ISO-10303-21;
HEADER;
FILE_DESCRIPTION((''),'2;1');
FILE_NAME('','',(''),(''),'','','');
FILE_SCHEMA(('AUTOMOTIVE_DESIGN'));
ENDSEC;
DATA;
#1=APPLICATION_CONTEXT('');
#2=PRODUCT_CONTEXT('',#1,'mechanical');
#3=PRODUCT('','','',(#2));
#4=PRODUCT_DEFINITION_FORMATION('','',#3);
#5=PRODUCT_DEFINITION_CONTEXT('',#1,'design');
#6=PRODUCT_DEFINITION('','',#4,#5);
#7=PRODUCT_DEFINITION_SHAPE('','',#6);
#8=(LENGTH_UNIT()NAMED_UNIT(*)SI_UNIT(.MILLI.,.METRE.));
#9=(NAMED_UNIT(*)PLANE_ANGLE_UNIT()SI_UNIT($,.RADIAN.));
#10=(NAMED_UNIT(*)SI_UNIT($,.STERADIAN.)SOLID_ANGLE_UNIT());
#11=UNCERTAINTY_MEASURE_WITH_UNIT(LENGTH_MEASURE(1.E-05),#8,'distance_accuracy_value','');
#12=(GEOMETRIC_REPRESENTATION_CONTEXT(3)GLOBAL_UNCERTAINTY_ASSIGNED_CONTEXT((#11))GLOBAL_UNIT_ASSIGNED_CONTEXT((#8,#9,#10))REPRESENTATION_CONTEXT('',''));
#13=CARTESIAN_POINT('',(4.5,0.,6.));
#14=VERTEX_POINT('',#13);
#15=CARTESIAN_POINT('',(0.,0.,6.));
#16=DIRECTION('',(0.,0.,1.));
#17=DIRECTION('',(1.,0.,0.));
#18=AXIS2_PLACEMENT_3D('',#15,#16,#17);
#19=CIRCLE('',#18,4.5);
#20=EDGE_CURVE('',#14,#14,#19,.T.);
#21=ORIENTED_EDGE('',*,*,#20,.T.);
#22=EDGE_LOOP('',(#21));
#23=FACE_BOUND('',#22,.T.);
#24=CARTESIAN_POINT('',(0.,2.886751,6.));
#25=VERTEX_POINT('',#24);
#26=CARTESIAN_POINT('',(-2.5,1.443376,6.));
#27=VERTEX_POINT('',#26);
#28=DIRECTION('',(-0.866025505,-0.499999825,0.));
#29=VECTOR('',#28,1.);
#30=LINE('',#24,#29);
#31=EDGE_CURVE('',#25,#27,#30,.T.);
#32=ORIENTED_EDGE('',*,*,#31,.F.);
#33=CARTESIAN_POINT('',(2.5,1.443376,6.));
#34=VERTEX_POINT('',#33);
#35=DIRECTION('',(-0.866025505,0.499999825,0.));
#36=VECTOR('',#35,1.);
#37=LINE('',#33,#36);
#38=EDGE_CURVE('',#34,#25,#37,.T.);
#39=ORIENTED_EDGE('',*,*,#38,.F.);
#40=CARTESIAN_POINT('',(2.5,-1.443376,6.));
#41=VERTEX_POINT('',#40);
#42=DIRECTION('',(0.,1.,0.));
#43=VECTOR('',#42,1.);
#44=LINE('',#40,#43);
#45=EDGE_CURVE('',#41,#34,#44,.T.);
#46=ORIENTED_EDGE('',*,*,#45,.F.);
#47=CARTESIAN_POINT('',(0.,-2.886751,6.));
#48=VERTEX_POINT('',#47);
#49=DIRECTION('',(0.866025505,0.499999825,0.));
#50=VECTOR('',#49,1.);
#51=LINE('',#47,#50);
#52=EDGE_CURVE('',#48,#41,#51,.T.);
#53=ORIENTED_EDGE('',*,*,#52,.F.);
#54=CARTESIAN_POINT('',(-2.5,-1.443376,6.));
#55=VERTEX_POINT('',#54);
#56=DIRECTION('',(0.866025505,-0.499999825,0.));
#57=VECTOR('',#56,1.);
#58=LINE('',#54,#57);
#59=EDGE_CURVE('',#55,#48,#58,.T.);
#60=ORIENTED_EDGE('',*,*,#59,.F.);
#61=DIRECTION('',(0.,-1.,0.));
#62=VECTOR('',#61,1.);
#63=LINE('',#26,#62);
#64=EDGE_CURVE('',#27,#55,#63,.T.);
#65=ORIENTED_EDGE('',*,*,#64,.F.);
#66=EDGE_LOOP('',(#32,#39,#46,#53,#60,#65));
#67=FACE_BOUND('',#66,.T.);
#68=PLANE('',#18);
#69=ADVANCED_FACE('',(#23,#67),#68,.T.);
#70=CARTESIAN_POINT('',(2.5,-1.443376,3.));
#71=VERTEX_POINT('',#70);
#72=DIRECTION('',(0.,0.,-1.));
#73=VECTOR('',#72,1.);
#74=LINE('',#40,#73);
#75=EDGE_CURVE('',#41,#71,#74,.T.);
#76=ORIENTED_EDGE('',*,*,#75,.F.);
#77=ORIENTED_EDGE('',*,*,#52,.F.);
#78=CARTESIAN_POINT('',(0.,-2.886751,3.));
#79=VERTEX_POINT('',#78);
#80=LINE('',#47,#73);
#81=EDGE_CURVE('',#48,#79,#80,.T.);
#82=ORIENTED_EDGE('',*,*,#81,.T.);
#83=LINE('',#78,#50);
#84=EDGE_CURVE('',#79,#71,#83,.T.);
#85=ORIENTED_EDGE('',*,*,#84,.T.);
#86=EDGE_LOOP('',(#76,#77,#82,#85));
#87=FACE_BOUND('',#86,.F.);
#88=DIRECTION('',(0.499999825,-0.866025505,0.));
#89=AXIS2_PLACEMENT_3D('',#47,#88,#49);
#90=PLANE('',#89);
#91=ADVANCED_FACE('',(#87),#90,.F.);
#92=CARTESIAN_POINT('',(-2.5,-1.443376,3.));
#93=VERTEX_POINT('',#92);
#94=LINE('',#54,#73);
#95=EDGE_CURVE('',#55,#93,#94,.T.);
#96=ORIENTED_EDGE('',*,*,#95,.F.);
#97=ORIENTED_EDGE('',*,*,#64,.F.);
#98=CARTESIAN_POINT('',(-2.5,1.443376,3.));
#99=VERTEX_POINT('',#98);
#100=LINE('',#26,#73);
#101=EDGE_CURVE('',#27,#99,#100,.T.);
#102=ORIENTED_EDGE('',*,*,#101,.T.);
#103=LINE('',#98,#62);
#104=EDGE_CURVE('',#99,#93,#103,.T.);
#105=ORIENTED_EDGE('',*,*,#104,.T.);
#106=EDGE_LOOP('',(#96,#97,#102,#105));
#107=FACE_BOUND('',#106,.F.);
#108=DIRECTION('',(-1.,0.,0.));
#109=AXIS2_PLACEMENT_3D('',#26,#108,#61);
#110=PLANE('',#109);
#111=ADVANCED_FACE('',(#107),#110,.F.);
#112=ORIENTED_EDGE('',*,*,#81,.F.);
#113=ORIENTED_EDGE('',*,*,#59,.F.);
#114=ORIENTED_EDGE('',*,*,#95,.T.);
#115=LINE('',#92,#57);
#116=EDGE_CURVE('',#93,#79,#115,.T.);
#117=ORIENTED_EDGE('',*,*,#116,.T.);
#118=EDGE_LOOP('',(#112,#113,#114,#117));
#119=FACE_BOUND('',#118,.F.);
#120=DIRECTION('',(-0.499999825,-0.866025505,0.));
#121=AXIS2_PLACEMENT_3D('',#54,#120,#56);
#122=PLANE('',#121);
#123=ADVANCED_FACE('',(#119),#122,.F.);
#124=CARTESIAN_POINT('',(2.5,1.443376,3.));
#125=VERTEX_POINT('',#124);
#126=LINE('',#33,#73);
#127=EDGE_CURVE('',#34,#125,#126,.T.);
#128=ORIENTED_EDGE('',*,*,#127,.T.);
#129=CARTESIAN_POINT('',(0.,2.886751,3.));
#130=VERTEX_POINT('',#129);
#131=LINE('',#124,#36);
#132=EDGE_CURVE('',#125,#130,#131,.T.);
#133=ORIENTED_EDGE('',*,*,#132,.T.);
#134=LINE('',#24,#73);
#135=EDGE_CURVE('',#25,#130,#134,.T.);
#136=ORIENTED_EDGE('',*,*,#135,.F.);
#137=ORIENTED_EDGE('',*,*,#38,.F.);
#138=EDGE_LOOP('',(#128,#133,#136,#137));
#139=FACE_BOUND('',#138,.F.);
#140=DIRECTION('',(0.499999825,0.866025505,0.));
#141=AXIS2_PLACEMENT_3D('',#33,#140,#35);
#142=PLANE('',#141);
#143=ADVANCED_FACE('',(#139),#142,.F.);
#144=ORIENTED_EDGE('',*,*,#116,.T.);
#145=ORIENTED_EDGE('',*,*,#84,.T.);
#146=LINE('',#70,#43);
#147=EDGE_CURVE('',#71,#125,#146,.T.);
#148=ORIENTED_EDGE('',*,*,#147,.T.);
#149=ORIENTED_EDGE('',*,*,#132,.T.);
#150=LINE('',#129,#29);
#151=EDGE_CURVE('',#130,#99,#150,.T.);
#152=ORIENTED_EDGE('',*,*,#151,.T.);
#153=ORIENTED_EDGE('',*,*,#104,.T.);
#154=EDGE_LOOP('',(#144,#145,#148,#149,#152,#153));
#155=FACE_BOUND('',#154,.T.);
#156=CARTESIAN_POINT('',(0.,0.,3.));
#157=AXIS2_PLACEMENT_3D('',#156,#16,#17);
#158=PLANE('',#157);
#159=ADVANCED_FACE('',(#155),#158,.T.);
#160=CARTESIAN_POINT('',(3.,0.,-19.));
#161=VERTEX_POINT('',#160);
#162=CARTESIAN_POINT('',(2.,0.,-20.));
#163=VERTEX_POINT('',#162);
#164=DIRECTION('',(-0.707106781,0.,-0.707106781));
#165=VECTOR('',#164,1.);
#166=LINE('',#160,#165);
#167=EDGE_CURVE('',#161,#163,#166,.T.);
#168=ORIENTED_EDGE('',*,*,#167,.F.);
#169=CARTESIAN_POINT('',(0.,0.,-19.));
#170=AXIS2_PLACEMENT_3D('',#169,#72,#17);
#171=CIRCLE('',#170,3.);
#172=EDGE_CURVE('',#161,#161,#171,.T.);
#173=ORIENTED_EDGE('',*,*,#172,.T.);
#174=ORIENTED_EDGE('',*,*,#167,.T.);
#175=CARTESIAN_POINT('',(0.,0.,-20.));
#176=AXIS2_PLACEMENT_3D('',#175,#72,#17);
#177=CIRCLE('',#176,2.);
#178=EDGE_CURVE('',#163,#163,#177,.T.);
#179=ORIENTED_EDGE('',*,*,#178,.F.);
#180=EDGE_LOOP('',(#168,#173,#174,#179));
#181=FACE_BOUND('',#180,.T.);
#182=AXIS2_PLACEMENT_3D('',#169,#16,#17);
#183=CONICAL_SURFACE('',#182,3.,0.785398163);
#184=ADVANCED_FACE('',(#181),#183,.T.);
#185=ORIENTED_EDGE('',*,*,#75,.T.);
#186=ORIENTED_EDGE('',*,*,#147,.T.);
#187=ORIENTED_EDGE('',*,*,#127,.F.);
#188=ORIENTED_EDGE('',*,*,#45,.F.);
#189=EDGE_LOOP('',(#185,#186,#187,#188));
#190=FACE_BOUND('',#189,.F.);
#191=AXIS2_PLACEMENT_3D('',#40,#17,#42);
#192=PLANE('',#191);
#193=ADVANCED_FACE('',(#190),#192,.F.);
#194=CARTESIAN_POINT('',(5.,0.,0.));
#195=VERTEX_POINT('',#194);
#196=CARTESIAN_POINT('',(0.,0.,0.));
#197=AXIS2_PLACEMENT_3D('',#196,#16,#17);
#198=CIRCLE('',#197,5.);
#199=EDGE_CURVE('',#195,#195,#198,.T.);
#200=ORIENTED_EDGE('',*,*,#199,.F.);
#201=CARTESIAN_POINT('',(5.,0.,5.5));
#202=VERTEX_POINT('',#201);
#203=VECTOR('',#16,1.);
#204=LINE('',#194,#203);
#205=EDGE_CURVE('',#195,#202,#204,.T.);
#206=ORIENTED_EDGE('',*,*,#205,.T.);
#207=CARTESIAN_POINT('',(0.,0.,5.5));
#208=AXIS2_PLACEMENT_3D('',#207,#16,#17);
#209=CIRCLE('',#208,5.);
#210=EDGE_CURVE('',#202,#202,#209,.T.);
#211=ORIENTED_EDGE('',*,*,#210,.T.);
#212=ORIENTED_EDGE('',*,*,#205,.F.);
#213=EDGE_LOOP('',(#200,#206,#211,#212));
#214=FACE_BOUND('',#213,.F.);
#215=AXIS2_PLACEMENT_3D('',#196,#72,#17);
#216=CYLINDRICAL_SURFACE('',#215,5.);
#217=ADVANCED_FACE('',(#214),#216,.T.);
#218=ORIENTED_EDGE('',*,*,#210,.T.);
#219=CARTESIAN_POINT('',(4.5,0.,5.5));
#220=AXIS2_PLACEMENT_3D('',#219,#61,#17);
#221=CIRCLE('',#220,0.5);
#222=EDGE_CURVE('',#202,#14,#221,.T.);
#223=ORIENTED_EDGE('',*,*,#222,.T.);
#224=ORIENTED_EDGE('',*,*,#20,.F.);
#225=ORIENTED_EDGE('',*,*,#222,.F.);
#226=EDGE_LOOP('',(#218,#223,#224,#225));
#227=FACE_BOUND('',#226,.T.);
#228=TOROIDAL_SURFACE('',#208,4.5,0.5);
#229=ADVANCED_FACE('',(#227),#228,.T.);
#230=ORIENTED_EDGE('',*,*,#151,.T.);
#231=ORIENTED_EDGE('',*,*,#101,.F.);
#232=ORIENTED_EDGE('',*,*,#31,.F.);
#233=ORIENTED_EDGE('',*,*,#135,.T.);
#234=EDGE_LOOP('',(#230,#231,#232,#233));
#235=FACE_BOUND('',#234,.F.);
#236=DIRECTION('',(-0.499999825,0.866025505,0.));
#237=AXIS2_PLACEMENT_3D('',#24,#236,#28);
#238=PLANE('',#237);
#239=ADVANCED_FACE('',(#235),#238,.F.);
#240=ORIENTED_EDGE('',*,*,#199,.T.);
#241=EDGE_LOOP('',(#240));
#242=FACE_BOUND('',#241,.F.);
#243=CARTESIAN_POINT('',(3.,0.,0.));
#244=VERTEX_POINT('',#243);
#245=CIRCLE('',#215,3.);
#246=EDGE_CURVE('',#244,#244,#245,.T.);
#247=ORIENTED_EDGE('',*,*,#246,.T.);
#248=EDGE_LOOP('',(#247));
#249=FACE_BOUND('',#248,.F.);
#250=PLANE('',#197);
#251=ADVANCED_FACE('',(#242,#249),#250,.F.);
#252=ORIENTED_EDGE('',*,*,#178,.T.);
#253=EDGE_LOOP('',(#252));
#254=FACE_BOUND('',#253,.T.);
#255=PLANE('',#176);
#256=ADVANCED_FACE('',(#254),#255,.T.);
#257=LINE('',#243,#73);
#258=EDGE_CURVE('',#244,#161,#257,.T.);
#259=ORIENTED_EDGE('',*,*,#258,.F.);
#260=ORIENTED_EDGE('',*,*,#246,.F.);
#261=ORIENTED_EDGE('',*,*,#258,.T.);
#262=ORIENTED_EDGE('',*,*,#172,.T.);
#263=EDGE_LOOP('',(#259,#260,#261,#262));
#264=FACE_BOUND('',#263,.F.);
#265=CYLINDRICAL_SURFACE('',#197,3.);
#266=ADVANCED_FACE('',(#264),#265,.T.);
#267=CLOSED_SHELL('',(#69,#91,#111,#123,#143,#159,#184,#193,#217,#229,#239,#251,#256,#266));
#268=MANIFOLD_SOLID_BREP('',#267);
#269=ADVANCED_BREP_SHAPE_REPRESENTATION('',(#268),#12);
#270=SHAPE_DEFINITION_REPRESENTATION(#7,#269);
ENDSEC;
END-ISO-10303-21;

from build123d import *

# Parameters (mm, degrees)
F0_R     = 5
F1_DEPTH = 6
F2_R     = 0.5
F4_DEPTH = 3
F5_R     = 3
F6_DEPTH = 20
F7_SIZE  = 1


with BuildPart() as f1:
    # F0 (on Top) → F1 (new body)
    with BuildSketch(Plane.XY):
        Circle(F0_R)
    extrude(amount=F1_DEPTH)

    # F2
    f2_edges = [f1.edges().sort_by_distance(p)[0] for p in [
        (-5, 0, 6),
    ]]
    fillet(f2_edges, radius=F2_R)

    # F3 (on face) → F4 (cut)
    with BuildSketch(Plane.XY.offset(6)):
        Polygon((2.5, 1.443376), (0, 2.886751), (-2.5, 1.443376), (-2.5, -1.443376), (0, -2.886751), (2.5, -1.443376), align=None)
    extrude(amount=-F4_DEPTH, mode=Mode.SUBTRACT)

    # F5 (on face) → F6 (join)
    with BuildSketch(Plane(origin=(0, 0, 0), x_dir=(1, 0, 0), z_dir=(0, 0, -1))):
        Circle(F5_R)
    extrude(amount=F6_DEPTH)

    # F7
    f7_edges = [f1.edges().sort_by_distance(p)[0] for p in [
        (-3, 0, -20),
    ]]
    chamfer(f7_edges, length=F7_SIZE)


solid = f1.part
